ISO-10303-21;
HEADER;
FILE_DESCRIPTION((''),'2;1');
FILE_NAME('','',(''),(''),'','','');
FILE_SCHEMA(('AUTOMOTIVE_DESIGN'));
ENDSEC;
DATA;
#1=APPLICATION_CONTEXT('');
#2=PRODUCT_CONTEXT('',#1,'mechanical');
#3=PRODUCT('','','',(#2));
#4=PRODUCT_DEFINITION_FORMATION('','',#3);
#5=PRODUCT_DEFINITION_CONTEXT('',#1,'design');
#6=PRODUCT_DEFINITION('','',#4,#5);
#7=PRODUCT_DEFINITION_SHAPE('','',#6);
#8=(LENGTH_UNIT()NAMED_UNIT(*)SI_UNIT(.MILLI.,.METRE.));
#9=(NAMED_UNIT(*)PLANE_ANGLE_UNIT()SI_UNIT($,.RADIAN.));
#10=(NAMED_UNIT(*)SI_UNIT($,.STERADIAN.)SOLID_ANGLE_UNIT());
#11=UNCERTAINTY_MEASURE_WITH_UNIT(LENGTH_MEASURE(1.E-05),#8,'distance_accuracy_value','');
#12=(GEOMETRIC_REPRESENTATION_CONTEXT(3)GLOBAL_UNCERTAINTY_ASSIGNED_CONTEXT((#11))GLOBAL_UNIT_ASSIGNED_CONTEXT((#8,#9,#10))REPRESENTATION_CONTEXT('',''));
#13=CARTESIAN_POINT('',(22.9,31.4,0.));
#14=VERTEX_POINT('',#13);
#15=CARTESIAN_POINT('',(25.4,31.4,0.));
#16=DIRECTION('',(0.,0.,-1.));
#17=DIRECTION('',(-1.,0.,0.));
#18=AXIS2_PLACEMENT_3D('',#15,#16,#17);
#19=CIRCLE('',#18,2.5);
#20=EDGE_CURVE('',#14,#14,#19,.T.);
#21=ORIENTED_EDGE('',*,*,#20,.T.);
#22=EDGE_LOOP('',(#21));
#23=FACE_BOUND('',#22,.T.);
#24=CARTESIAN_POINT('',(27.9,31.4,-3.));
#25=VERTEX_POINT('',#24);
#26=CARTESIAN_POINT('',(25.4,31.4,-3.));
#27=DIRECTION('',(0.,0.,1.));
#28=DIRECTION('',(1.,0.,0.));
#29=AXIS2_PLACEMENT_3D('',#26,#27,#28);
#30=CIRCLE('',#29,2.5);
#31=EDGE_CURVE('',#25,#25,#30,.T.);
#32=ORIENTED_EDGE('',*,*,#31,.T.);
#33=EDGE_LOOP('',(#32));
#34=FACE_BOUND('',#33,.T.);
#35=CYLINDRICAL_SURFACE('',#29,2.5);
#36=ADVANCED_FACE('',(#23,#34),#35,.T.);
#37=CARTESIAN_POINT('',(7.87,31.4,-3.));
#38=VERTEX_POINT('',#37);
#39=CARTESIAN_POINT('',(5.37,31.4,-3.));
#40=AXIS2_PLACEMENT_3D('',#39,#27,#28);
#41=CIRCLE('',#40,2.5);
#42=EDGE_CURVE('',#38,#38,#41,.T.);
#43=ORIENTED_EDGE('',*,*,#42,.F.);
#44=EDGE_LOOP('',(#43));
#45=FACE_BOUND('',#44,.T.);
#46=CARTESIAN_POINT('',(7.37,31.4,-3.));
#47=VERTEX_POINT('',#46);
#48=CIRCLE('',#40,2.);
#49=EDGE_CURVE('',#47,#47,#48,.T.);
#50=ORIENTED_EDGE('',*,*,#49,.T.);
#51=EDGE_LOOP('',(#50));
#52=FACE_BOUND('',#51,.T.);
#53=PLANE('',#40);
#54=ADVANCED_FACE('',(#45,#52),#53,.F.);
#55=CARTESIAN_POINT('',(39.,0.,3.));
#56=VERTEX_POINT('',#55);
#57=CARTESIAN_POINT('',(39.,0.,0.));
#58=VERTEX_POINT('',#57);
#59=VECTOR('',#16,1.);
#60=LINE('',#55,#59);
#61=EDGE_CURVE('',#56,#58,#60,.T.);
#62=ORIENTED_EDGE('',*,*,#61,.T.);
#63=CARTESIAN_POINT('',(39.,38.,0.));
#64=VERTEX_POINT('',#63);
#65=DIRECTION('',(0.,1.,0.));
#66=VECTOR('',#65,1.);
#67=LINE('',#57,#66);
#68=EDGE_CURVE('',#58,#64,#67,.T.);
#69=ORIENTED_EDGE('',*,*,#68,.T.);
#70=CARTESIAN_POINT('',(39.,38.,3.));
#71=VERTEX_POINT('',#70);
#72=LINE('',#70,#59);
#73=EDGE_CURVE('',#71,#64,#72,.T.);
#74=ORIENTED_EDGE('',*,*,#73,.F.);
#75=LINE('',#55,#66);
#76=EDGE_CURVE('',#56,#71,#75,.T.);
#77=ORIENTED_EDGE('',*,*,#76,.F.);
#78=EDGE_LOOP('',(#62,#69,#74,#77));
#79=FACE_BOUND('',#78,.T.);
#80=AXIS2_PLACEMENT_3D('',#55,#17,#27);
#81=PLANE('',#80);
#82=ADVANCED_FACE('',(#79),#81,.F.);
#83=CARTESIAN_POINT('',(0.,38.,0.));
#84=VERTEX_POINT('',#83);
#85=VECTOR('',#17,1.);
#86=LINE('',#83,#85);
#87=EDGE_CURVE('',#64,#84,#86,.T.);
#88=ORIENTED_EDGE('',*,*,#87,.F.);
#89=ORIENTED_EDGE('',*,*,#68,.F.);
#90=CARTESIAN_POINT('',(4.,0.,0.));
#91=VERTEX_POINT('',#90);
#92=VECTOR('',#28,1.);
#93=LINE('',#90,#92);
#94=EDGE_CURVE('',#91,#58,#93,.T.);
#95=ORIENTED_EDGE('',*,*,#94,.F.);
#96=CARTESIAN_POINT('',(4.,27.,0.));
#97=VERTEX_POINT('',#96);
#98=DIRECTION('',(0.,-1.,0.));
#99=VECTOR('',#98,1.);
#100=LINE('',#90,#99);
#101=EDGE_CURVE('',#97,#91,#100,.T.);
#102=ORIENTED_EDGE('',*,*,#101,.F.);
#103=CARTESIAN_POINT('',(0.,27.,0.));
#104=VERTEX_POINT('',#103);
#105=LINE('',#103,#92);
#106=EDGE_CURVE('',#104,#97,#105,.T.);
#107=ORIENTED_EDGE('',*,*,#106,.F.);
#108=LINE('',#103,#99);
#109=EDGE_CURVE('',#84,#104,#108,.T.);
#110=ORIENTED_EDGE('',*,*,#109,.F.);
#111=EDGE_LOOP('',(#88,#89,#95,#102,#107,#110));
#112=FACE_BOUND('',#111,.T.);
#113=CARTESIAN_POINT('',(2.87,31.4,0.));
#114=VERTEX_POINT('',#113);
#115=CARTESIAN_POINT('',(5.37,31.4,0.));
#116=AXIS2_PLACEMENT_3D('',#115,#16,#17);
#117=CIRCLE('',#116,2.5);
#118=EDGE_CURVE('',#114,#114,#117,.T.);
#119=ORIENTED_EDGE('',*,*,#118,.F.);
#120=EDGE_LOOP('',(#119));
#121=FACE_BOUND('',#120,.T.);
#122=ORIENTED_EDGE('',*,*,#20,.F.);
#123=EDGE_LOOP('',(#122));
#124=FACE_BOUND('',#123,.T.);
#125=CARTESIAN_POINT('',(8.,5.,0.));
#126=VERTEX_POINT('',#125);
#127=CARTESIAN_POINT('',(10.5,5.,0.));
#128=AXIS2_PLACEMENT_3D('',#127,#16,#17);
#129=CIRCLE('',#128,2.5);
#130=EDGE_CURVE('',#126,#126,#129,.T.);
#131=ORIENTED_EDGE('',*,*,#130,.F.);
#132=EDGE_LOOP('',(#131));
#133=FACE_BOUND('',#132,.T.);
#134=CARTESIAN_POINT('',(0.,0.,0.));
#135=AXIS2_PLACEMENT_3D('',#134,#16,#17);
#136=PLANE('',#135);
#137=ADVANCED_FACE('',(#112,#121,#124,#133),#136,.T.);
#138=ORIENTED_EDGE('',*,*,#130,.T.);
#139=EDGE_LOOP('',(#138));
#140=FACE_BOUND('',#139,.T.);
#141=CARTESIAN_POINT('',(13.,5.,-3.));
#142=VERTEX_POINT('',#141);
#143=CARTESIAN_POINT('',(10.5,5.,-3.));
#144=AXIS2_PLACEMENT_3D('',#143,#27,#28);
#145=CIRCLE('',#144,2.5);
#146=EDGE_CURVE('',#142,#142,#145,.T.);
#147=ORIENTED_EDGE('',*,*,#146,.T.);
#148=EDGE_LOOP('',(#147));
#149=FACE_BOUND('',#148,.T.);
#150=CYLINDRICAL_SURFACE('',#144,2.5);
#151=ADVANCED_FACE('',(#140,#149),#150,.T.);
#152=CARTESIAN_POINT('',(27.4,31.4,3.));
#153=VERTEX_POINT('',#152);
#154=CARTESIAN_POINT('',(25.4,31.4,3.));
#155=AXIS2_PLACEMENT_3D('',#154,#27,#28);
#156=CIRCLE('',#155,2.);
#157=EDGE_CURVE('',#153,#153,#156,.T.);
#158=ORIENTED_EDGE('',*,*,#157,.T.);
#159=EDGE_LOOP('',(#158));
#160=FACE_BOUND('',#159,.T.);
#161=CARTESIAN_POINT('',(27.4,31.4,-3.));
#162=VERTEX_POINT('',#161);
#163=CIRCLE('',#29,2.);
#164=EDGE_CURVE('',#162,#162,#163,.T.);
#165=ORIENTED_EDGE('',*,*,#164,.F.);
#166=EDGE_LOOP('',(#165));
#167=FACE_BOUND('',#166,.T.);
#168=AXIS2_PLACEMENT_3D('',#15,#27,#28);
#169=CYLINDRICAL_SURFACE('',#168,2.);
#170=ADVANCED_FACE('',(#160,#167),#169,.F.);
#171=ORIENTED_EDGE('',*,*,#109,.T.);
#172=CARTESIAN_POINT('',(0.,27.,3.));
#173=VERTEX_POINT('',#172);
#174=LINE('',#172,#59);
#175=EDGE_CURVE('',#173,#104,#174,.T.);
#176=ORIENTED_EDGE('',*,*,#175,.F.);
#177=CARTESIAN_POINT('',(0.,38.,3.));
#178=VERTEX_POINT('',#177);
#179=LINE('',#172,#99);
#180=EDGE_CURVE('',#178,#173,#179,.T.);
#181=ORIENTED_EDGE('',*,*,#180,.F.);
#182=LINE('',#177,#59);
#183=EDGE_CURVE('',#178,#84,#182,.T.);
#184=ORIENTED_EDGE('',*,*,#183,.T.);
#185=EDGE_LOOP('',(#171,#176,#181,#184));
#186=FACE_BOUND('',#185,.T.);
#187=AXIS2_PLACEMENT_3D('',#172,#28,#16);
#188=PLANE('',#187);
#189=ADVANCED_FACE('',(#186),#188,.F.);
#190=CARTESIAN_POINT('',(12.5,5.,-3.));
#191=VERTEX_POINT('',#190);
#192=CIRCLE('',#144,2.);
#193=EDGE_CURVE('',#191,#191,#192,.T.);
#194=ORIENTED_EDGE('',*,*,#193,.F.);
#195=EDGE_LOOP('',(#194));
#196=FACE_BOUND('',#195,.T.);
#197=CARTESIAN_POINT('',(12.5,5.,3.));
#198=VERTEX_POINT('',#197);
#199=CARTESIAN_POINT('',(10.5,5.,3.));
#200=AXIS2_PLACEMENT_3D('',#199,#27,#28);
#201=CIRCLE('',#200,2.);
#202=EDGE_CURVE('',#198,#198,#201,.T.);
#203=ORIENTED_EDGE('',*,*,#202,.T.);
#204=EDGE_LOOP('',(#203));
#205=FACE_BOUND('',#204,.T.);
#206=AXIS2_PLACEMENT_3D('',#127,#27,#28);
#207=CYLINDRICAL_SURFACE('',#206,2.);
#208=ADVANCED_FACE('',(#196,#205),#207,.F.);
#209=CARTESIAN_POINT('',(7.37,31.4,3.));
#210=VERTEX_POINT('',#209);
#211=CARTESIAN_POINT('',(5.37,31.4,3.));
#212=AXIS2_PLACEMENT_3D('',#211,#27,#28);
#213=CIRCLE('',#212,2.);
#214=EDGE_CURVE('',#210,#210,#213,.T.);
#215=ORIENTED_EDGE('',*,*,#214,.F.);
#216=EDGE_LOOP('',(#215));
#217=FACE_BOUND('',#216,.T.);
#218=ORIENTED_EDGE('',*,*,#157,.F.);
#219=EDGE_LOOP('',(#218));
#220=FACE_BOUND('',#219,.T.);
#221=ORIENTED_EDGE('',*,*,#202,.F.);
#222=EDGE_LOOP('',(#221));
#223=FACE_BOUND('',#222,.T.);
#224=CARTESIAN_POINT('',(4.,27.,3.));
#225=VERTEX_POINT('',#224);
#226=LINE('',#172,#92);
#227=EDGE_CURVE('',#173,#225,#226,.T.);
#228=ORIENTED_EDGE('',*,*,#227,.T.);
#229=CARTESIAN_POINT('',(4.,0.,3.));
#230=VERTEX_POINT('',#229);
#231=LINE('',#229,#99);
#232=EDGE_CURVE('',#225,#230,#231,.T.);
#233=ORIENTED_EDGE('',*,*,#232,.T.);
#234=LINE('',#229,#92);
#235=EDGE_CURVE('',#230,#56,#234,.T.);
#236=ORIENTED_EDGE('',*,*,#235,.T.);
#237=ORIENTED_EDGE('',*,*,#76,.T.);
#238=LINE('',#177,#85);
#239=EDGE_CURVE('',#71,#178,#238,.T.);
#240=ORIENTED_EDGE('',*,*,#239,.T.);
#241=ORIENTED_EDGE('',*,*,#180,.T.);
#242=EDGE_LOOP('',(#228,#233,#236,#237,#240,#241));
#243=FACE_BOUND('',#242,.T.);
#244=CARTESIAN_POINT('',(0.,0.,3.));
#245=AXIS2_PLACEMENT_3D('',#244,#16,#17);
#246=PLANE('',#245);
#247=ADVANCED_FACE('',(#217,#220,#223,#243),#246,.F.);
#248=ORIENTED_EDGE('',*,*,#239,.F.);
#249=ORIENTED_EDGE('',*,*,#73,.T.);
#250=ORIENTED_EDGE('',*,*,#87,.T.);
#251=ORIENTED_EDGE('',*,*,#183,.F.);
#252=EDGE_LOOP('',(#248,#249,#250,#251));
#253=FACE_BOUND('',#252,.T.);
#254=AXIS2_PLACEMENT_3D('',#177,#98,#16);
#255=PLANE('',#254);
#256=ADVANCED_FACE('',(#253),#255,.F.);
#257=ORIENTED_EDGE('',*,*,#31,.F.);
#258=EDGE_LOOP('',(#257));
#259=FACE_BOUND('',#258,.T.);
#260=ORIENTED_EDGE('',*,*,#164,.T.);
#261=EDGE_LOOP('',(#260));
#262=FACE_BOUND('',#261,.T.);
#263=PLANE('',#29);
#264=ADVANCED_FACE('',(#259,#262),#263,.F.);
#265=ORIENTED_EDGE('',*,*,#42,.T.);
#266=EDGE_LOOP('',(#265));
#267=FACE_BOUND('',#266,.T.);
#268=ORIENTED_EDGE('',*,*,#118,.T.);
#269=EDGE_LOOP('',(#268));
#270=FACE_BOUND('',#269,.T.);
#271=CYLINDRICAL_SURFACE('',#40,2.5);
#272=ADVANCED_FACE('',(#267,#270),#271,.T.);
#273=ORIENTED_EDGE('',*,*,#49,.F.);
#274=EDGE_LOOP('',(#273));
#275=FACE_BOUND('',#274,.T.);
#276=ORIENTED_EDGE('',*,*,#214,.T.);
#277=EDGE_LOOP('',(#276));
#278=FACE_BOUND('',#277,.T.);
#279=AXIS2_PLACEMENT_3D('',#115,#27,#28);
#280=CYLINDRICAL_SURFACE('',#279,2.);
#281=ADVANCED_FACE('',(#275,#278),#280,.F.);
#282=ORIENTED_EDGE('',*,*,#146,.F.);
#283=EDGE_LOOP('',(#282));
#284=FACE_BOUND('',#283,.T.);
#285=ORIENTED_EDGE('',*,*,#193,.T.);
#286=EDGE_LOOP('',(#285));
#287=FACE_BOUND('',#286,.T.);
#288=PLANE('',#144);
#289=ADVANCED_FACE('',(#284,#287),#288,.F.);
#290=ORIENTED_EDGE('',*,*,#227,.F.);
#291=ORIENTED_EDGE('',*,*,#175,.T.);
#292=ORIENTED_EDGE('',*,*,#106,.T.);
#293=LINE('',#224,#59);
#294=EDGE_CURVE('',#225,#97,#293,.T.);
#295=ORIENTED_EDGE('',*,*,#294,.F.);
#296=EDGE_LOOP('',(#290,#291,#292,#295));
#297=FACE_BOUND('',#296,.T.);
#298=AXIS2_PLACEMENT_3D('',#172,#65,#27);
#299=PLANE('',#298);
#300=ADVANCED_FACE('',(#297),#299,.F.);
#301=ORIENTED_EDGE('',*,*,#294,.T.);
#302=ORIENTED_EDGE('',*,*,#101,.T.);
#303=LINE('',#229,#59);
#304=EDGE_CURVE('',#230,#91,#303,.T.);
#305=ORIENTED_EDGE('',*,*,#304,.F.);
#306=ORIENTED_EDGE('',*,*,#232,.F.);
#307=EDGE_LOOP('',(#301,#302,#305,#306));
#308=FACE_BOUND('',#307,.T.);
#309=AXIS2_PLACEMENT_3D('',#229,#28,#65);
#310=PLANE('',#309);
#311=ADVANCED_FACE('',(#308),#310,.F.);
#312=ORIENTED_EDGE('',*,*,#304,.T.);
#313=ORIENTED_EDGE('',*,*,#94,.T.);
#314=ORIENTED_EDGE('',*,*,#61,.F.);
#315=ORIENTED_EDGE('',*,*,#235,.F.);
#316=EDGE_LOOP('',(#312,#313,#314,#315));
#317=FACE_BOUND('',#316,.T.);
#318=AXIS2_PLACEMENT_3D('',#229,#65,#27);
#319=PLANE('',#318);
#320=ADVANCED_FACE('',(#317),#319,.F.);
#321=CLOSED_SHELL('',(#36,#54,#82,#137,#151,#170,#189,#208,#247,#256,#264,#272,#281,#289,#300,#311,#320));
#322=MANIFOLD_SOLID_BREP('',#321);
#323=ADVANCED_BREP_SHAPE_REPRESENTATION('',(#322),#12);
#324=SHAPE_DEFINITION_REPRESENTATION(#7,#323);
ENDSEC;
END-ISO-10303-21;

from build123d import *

# Parameters (mm, degrees)
BOSS_EXTRUDE1_DEPTH = 3
SKETCH2_R           = 2
CUT_EXTRUDE1_DEPTH  = 3
SKETCH3_R           = 2.5
SKETCH3_R_2         = 2
BOSS_EXTRUDE2_DEPTH = 6


with BuildPart() as part:
    # Sketch1 → Boss-Extrude1 (new body)
    with BuildSketch(Plane.XY):
        Polygon((4, 0), (39, 0), (39, 38), (0, 38), (0, 27), (4, 27), align=None)
    extrude(amount=BOSS_EXTRUDE1_DEPTH)

    # Sketch2 → Cut-Extrude1 (cut)
    with BuildSketch(Plane.XY.offset(3)):
        with Locations((5.37, 31.4)):
            Circle(SKETCH2_R)
        with Locations((25.4, 31.4)):
            Circle(SKETCH2_R)
        with Locations((10.5, 5)):
            Circle(SKETCH2_R)
    extrude(amount=-CUT_EXTRUDE1_DEPTH, mode=Mode.SUBTRACT)

    # Sketch3 → Boss-Extrude2 (add)
    with BuildSketch(Plane.XY.offset(3)):
        with Locations((5.37, 31.4)):
            Circle(SKETCH3_R)
        with Locations((5.37, 31.4)):
            Circle(SKETCH3_R_2, mode=Mode.SUBTRACT)
        with Locations((25.4, 31.4)):
            Circle(SKETCH3_R)
        with Locations((25.4, 31.4)):
            Circle(SKETCH3_R_2, mode=Mode.SUBTRACT)
        with Locations((10.5, 5)):
            Circle(SKETCH3_R)
        with Locations((10.5, 5)):
            Circle(SKETCH3_R_2, mode=Mode.SUBTRACT)
    extrude(amount=-BOSS_EXTRUDE2_DEPTH)


solid = part.part
